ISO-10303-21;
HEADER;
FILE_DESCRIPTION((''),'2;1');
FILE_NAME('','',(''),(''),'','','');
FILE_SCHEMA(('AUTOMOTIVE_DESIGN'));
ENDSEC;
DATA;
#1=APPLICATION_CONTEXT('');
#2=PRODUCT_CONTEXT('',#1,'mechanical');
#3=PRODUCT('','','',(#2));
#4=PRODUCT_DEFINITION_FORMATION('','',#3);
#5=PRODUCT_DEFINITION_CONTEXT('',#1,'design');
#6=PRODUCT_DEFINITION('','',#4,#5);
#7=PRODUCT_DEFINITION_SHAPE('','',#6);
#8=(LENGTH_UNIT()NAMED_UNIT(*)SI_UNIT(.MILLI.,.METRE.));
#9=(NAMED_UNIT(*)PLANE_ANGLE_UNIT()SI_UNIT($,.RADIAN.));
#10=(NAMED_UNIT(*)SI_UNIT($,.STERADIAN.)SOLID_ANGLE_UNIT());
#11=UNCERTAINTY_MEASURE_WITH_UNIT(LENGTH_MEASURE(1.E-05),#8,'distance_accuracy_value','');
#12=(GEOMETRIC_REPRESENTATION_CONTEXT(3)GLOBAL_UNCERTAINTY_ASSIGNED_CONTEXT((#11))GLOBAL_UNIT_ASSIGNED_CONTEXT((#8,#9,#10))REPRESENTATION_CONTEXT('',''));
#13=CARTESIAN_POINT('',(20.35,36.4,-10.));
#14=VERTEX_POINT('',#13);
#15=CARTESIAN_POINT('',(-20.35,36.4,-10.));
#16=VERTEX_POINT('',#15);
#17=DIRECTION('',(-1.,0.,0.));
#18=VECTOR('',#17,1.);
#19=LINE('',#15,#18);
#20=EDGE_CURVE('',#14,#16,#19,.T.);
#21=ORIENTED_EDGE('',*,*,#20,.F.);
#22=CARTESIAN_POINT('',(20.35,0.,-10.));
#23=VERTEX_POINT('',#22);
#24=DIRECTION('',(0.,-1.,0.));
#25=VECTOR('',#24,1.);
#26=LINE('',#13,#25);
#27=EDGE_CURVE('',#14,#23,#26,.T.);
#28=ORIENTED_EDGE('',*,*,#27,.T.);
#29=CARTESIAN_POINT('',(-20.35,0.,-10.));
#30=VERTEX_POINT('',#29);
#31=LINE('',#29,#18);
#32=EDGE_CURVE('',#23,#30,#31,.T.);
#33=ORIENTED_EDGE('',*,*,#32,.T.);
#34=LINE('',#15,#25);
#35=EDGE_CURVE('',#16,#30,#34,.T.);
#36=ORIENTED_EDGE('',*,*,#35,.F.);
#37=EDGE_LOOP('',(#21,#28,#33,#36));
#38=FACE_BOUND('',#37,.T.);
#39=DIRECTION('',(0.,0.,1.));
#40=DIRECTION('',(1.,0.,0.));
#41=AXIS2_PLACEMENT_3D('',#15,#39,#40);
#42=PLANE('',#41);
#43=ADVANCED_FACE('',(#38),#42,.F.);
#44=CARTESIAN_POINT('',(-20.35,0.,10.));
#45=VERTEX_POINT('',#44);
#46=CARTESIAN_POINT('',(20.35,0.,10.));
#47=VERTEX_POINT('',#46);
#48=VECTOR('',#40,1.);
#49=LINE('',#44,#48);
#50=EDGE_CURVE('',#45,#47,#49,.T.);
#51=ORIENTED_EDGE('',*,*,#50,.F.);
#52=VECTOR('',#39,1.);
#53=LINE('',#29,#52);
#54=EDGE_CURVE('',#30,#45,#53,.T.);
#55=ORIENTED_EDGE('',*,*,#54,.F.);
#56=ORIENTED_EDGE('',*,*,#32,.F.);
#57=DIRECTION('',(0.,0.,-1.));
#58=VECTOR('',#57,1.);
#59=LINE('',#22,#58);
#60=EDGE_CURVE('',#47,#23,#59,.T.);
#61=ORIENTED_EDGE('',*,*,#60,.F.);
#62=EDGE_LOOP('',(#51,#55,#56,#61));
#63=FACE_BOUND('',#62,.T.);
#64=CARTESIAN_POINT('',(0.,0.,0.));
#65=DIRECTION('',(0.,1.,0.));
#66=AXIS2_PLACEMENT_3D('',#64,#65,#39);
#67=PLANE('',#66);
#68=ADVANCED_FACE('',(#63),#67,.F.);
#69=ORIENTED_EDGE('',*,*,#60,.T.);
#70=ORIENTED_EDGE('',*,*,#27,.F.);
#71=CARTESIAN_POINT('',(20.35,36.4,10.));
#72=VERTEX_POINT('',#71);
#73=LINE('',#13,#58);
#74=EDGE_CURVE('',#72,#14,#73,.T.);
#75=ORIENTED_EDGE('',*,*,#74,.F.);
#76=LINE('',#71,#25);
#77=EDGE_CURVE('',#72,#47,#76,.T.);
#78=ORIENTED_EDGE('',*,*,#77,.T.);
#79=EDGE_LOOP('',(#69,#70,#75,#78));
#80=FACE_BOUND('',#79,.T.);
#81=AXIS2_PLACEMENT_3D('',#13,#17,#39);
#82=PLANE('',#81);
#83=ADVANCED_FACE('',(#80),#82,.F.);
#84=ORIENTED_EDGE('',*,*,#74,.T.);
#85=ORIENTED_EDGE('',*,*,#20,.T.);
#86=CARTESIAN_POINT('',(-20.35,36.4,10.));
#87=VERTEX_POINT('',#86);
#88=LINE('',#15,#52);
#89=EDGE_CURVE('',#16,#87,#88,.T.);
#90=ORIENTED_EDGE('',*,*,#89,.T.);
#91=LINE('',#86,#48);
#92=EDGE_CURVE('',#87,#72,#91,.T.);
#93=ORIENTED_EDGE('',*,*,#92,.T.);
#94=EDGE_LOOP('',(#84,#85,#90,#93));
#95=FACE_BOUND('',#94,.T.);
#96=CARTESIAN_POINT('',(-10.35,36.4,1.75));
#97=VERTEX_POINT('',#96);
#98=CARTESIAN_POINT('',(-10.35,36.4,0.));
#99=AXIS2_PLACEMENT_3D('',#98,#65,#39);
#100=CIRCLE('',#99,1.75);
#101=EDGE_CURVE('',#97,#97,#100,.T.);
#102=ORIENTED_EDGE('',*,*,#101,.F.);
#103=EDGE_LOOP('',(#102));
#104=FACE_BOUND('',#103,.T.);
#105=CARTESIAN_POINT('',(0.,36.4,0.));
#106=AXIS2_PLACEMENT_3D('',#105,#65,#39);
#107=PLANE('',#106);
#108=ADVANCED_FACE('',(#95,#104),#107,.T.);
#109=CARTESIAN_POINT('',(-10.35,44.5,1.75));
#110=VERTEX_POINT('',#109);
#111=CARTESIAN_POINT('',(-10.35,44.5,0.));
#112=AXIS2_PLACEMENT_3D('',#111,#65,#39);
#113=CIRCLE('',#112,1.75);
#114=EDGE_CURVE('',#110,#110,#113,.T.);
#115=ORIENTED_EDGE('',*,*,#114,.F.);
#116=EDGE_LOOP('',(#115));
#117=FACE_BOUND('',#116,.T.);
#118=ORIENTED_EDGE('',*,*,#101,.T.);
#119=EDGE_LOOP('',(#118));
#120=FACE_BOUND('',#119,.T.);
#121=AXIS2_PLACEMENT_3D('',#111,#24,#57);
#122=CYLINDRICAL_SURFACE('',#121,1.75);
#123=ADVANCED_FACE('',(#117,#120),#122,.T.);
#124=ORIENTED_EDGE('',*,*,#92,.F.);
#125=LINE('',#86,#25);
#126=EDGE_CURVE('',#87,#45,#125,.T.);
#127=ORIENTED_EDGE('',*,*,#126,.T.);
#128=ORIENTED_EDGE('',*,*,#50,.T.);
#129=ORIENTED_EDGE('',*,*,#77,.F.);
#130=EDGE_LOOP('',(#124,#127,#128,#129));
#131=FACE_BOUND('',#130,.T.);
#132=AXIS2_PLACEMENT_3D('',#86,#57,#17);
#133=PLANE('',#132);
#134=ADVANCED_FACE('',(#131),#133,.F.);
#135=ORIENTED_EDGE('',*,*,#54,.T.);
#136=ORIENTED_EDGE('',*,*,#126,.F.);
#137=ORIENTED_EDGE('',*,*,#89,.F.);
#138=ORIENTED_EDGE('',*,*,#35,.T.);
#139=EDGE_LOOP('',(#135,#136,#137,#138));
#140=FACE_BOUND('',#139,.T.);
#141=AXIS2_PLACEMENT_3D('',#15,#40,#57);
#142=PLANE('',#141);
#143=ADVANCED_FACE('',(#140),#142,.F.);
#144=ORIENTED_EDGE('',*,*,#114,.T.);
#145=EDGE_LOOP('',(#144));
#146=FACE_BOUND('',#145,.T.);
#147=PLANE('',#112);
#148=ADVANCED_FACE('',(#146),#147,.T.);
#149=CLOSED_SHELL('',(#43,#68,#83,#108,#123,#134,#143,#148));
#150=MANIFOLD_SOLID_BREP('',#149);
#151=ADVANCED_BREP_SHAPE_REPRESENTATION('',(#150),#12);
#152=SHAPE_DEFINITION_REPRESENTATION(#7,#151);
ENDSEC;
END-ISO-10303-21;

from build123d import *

# Parameters (mm, degrees)
SKETCH1_W           = 40.7
SKETCH1_H           = 20
BOSS_EXTRUDE1_DEPTH = 36.4
SKETCH2_R           = 1.75
BOSS_EXTRUDE2_DEPTH = 8.1


with BuildPart() as part:
    # Sketch1 → Boss-Extrude1 (new body)
    with BuildSketch(Plane(origin=(0, 0, 0), x_dir=(1, 0, 0), z_dir=(0, 1, 0))):
        Rectangle(SKETCH1_W, SKETCH1_H)
    extrude(amount=BOSS_EXTRUDE1_DEPTH)

    # Sketch2 → Boss-Extrude2 (add)
    with BuildSketch(Plane(origin=(0, 36.4, 0), x_dir=(1, 0, 0), z_dir=(0, 1, 0))):
        with Locations(Location((-10.35, 0, 0), (0, 0, 270))):
            Circle(SKETCH2_R)
    extrude(amount=BOSS_EXTRUDE2_DEPTH)


solid = part.part
